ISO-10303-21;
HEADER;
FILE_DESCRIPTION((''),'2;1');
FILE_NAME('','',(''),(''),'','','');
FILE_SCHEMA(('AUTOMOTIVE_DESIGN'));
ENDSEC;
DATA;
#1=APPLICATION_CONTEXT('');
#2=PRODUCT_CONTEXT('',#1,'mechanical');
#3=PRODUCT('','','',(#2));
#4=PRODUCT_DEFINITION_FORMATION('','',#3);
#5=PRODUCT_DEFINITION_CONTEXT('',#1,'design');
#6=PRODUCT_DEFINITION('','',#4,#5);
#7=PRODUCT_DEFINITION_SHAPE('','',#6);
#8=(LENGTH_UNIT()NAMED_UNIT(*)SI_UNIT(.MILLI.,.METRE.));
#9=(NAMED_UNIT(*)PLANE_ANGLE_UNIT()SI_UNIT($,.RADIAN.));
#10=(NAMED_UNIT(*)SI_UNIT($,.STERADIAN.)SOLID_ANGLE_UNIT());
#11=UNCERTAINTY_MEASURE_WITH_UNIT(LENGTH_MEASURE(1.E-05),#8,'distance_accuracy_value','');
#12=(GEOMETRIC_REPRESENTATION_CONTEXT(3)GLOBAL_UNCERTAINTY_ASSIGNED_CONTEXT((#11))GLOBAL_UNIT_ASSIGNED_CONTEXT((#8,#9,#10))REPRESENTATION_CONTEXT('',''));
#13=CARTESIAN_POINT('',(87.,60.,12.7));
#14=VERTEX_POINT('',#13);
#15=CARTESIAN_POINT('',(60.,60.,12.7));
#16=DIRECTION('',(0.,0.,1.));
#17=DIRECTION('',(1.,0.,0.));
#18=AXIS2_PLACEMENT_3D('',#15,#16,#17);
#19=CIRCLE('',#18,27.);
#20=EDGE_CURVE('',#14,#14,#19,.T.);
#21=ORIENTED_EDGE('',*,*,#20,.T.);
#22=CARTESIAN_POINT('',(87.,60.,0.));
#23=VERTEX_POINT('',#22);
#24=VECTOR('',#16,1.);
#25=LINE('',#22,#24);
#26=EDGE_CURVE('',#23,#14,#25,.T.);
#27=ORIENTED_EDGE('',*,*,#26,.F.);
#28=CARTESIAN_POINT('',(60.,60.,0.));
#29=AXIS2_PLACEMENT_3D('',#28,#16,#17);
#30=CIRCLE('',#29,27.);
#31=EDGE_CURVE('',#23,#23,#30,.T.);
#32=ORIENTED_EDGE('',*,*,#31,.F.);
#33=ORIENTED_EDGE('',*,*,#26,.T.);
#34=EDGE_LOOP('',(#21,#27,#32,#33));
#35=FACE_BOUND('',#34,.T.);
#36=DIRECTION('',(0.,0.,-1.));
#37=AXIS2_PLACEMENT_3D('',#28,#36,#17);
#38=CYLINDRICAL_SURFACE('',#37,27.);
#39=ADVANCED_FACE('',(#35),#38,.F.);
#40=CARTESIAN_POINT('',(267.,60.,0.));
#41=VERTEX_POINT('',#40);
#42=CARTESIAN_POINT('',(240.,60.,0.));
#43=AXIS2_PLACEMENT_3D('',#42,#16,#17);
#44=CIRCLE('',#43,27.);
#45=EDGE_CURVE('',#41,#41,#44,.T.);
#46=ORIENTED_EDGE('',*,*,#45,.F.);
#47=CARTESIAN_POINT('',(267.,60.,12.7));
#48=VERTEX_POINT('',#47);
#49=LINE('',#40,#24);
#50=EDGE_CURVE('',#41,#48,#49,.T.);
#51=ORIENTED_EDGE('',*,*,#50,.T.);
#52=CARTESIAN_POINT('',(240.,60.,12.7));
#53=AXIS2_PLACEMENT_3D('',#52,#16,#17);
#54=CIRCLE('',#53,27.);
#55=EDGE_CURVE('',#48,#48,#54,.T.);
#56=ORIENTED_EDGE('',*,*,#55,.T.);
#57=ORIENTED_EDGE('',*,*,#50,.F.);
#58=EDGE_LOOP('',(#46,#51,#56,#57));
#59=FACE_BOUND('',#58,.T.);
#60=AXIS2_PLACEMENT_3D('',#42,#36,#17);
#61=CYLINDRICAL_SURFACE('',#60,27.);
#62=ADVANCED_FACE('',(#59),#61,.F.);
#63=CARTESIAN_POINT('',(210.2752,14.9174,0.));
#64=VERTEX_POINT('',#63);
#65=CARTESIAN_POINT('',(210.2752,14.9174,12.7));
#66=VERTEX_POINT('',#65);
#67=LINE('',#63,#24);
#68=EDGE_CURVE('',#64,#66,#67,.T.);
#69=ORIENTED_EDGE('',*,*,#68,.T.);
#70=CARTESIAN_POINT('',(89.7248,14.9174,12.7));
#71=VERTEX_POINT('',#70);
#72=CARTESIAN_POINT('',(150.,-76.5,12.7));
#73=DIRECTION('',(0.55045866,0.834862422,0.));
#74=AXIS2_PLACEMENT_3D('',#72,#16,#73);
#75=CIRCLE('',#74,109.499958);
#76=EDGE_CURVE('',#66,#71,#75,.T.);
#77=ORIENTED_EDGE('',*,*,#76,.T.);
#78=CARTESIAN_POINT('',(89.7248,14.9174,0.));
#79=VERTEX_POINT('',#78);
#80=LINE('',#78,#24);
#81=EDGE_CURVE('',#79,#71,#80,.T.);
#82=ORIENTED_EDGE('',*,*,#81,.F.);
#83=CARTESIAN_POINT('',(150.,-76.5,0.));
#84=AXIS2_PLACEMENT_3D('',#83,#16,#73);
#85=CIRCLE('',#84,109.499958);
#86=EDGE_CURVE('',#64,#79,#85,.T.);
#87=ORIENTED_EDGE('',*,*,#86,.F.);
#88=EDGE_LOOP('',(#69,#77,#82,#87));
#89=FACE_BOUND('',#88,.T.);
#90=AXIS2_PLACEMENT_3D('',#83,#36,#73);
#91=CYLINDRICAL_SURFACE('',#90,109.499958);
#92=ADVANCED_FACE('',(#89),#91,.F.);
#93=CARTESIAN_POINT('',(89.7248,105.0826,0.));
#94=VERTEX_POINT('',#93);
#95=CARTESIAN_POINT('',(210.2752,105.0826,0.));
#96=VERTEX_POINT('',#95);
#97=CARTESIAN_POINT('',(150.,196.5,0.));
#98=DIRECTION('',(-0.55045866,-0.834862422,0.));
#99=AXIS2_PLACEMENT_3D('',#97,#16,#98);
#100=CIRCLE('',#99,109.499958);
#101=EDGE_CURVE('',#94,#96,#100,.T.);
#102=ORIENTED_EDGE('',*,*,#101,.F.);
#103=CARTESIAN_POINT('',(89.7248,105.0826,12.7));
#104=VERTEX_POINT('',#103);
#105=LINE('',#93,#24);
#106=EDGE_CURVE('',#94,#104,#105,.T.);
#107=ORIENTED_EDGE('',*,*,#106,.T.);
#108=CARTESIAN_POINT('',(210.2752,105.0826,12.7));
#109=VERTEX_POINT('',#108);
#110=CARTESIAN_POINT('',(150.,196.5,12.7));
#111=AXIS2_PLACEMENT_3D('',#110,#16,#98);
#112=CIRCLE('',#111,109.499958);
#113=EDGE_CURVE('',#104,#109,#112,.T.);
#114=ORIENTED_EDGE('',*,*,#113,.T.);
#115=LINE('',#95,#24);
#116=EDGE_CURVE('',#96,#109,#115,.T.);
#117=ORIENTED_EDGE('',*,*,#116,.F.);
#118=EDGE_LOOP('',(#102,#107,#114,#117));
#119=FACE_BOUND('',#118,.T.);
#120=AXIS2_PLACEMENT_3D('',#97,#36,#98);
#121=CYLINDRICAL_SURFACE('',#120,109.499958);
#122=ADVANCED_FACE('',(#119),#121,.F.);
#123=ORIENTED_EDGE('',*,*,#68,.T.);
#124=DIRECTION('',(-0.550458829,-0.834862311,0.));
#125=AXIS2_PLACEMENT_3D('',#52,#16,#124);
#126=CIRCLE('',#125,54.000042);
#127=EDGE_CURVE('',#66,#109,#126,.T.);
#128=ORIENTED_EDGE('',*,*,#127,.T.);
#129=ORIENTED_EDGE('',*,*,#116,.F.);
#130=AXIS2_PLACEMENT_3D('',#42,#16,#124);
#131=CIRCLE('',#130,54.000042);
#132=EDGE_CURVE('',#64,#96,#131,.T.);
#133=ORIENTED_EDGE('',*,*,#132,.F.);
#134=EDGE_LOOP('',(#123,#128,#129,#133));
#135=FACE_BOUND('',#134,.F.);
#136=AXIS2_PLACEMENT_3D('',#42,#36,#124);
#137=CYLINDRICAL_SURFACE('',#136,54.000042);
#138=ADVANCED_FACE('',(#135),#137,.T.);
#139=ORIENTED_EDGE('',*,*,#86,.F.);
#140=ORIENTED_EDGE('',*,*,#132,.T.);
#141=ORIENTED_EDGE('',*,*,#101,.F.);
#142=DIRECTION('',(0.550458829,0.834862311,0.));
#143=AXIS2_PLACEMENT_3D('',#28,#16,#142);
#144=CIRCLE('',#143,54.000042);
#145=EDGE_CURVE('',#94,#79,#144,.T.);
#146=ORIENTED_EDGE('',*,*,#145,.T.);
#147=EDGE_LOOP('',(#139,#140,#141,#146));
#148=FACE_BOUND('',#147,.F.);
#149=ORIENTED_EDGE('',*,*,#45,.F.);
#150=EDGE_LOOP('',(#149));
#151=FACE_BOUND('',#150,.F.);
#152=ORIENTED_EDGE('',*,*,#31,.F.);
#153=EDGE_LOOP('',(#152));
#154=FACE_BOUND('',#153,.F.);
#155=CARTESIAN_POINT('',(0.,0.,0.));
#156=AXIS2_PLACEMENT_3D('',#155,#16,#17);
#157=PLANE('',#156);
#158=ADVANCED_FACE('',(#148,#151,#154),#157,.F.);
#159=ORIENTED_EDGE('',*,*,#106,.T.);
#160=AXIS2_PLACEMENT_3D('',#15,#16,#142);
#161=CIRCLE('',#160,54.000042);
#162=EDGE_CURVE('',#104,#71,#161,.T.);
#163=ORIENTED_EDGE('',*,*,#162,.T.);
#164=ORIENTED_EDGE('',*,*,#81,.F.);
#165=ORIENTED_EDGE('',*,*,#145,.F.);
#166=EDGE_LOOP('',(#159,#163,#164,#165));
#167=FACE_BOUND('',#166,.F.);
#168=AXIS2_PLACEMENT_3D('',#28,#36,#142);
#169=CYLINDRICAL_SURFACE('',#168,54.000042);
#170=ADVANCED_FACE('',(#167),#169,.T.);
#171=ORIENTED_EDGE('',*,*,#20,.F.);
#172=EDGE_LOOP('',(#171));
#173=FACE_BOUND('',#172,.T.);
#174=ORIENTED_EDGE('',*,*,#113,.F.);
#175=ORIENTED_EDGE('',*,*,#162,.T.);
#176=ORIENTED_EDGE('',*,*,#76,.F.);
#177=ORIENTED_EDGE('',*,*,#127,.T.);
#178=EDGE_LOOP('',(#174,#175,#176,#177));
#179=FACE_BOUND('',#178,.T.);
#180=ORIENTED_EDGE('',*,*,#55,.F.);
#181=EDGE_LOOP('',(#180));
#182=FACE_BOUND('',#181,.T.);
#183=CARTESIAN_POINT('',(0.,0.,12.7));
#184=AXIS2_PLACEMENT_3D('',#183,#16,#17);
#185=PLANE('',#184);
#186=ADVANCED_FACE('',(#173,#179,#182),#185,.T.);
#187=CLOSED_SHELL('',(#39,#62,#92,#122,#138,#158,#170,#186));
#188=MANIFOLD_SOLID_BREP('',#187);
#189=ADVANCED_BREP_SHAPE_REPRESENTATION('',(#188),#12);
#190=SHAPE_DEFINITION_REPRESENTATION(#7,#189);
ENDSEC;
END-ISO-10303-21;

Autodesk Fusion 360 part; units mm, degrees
sketch "Sketch1" plane through (0, 0, 0) normal (0, 0, 1) x (1, 0, 0) in component "clamp"
  circle A0 centre (60, 60) radius 27
  circle A1 centre (240, 60) radius 27
  arc A2 (210.2752, 14.9174) -> (89.7248, 14.9174) centre (150, -76.5) ccw
  arc A3 (89.7248, 105.0826) -> (210.2752, 105.0826) centre (150, 196.5) ccw
  arc A4 (89.7248, 105.0826) -> (89.7248, 14.9174) centre (60, 60) ccw
  arc A5 (210.2752, 14.9174) -> (210.2752, 105.0826) centre (240, 60) ccw
  dimension "d1" = 54
  dimension "d2" = 54
  dimension "d6" = 180
  dimension "d9" = 54
  dimension "d10" = 54
extrude "Extrude1" add sketch "Sketch1" along normal blind 13 makes body 1 in component "clamp"
extrude "Extrude1'" add sketch "Sketch1" along normal blind 12.7 separate body makes body 2
component "clamp" placed x (1, 0, 0) y (0, 1, 0) z (0, 0, 1) at (0, 0, 0)
hidden bodies 1
equation "d2 = d1"
equation "d9 = d1"
equation "d10 = d1"
equation "d17 = 1/2\""
